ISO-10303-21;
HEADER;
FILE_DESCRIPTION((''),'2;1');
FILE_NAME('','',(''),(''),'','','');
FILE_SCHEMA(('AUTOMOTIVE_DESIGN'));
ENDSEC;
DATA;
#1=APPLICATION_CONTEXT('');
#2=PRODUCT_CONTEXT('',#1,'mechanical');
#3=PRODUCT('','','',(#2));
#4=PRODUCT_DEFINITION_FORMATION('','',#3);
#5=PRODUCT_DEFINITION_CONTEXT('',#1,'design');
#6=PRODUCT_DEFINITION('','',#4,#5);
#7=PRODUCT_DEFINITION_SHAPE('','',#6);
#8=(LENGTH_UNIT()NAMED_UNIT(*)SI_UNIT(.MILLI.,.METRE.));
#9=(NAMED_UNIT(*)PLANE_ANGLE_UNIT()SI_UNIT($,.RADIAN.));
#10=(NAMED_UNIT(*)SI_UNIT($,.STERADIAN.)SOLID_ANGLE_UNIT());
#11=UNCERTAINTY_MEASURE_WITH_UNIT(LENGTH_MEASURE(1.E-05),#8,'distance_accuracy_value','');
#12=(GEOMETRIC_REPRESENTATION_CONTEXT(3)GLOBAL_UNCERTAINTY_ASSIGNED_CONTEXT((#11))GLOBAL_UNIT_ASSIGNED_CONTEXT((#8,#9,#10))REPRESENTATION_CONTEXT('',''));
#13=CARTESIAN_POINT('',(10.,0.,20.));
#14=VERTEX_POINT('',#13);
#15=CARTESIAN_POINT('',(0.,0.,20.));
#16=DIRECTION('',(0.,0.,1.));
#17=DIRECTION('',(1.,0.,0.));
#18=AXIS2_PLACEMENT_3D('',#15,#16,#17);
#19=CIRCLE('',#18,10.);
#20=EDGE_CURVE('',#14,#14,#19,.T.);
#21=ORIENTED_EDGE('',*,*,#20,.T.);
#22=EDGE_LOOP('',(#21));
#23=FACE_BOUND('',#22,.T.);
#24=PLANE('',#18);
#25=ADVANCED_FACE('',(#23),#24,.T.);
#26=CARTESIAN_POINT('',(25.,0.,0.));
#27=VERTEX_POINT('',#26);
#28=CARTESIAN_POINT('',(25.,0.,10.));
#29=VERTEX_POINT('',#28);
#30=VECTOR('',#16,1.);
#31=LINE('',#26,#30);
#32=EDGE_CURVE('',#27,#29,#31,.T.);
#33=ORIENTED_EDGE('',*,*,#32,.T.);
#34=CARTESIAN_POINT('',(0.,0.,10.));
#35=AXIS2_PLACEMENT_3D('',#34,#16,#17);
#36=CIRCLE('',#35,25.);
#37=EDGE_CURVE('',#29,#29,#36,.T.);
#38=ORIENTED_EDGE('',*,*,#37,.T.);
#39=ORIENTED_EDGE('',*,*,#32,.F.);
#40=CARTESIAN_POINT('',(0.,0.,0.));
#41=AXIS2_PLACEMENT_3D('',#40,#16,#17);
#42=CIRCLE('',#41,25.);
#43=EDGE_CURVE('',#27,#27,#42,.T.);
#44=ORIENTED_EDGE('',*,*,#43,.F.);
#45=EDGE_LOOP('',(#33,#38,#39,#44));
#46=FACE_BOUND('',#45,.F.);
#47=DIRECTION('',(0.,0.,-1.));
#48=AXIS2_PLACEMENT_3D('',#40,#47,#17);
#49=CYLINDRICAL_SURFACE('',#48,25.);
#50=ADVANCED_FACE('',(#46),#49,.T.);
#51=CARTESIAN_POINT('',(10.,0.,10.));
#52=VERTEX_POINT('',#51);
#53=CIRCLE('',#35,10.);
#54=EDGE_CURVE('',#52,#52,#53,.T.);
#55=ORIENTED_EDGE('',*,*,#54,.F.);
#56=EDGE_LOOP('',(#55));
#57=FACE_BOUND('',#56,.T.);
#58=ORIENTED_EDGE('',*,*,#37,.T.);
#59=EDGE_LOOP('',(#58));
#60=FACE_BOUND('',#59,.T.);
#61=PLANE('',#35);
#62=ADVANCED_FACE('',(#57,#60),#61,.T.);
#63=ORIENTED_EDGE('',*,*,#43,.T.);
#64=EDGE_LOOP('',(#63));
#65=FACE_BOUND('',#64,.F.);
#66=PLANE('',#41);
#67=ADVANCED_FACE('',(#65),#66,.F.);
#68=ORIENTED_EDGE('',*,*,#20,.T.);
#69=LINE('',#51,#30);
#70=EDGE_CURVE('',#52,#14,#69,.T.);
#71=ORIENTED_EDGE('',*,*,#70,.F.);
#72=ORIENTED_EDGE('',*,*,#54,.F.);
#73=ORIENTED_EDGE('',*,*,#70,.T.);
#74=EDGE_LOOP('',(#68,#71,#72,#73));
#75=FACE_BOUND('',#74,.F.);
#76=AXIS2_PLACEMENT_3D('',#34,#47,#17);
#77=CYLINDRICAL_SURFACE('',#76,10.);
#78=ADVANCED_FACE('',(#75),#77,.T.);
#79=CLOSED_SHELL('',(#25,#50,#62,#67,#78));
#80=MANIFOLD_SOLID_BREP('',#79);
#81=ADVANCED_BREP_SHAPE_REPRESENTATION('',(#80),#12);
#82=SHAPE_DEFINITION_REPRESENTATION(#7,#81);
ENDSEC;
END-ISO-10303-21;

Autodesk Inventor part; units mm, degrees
ref_plane "YZ Plane" through (0, 0, 0) normal (1, 0, 0) x (0, 1, 0)
ref_plane "XZ Plane" through (0, 0, 0) normal (0, 1, 0) x (-1, 0, 0)
ref_plane "XY Plane" through (0, 0, 0) normal (0, 0, 1) x (1, 0, 0)
sketch "Эскиз1" plane through (0, 0, 0) normal (0, 0, 1) x (1, 0, 0)
  circle A0 centre (0, 0) radius 25
  dimension "d0" = 50
extrude "Выдавливание1" add sketch "Эскиз1" along normal blind 10
sketch "Эскиз2" plane through (0, 0, 10) normal (0, 0, 1) x (1, 0, 0)
  circle A0 centre (0, 0) radius 10
  dimension "d3" = 20
extrude "Выдавливание2" add sketch "Эскиз2" along normal blind 10
properties part number "зубчатое колесо"
